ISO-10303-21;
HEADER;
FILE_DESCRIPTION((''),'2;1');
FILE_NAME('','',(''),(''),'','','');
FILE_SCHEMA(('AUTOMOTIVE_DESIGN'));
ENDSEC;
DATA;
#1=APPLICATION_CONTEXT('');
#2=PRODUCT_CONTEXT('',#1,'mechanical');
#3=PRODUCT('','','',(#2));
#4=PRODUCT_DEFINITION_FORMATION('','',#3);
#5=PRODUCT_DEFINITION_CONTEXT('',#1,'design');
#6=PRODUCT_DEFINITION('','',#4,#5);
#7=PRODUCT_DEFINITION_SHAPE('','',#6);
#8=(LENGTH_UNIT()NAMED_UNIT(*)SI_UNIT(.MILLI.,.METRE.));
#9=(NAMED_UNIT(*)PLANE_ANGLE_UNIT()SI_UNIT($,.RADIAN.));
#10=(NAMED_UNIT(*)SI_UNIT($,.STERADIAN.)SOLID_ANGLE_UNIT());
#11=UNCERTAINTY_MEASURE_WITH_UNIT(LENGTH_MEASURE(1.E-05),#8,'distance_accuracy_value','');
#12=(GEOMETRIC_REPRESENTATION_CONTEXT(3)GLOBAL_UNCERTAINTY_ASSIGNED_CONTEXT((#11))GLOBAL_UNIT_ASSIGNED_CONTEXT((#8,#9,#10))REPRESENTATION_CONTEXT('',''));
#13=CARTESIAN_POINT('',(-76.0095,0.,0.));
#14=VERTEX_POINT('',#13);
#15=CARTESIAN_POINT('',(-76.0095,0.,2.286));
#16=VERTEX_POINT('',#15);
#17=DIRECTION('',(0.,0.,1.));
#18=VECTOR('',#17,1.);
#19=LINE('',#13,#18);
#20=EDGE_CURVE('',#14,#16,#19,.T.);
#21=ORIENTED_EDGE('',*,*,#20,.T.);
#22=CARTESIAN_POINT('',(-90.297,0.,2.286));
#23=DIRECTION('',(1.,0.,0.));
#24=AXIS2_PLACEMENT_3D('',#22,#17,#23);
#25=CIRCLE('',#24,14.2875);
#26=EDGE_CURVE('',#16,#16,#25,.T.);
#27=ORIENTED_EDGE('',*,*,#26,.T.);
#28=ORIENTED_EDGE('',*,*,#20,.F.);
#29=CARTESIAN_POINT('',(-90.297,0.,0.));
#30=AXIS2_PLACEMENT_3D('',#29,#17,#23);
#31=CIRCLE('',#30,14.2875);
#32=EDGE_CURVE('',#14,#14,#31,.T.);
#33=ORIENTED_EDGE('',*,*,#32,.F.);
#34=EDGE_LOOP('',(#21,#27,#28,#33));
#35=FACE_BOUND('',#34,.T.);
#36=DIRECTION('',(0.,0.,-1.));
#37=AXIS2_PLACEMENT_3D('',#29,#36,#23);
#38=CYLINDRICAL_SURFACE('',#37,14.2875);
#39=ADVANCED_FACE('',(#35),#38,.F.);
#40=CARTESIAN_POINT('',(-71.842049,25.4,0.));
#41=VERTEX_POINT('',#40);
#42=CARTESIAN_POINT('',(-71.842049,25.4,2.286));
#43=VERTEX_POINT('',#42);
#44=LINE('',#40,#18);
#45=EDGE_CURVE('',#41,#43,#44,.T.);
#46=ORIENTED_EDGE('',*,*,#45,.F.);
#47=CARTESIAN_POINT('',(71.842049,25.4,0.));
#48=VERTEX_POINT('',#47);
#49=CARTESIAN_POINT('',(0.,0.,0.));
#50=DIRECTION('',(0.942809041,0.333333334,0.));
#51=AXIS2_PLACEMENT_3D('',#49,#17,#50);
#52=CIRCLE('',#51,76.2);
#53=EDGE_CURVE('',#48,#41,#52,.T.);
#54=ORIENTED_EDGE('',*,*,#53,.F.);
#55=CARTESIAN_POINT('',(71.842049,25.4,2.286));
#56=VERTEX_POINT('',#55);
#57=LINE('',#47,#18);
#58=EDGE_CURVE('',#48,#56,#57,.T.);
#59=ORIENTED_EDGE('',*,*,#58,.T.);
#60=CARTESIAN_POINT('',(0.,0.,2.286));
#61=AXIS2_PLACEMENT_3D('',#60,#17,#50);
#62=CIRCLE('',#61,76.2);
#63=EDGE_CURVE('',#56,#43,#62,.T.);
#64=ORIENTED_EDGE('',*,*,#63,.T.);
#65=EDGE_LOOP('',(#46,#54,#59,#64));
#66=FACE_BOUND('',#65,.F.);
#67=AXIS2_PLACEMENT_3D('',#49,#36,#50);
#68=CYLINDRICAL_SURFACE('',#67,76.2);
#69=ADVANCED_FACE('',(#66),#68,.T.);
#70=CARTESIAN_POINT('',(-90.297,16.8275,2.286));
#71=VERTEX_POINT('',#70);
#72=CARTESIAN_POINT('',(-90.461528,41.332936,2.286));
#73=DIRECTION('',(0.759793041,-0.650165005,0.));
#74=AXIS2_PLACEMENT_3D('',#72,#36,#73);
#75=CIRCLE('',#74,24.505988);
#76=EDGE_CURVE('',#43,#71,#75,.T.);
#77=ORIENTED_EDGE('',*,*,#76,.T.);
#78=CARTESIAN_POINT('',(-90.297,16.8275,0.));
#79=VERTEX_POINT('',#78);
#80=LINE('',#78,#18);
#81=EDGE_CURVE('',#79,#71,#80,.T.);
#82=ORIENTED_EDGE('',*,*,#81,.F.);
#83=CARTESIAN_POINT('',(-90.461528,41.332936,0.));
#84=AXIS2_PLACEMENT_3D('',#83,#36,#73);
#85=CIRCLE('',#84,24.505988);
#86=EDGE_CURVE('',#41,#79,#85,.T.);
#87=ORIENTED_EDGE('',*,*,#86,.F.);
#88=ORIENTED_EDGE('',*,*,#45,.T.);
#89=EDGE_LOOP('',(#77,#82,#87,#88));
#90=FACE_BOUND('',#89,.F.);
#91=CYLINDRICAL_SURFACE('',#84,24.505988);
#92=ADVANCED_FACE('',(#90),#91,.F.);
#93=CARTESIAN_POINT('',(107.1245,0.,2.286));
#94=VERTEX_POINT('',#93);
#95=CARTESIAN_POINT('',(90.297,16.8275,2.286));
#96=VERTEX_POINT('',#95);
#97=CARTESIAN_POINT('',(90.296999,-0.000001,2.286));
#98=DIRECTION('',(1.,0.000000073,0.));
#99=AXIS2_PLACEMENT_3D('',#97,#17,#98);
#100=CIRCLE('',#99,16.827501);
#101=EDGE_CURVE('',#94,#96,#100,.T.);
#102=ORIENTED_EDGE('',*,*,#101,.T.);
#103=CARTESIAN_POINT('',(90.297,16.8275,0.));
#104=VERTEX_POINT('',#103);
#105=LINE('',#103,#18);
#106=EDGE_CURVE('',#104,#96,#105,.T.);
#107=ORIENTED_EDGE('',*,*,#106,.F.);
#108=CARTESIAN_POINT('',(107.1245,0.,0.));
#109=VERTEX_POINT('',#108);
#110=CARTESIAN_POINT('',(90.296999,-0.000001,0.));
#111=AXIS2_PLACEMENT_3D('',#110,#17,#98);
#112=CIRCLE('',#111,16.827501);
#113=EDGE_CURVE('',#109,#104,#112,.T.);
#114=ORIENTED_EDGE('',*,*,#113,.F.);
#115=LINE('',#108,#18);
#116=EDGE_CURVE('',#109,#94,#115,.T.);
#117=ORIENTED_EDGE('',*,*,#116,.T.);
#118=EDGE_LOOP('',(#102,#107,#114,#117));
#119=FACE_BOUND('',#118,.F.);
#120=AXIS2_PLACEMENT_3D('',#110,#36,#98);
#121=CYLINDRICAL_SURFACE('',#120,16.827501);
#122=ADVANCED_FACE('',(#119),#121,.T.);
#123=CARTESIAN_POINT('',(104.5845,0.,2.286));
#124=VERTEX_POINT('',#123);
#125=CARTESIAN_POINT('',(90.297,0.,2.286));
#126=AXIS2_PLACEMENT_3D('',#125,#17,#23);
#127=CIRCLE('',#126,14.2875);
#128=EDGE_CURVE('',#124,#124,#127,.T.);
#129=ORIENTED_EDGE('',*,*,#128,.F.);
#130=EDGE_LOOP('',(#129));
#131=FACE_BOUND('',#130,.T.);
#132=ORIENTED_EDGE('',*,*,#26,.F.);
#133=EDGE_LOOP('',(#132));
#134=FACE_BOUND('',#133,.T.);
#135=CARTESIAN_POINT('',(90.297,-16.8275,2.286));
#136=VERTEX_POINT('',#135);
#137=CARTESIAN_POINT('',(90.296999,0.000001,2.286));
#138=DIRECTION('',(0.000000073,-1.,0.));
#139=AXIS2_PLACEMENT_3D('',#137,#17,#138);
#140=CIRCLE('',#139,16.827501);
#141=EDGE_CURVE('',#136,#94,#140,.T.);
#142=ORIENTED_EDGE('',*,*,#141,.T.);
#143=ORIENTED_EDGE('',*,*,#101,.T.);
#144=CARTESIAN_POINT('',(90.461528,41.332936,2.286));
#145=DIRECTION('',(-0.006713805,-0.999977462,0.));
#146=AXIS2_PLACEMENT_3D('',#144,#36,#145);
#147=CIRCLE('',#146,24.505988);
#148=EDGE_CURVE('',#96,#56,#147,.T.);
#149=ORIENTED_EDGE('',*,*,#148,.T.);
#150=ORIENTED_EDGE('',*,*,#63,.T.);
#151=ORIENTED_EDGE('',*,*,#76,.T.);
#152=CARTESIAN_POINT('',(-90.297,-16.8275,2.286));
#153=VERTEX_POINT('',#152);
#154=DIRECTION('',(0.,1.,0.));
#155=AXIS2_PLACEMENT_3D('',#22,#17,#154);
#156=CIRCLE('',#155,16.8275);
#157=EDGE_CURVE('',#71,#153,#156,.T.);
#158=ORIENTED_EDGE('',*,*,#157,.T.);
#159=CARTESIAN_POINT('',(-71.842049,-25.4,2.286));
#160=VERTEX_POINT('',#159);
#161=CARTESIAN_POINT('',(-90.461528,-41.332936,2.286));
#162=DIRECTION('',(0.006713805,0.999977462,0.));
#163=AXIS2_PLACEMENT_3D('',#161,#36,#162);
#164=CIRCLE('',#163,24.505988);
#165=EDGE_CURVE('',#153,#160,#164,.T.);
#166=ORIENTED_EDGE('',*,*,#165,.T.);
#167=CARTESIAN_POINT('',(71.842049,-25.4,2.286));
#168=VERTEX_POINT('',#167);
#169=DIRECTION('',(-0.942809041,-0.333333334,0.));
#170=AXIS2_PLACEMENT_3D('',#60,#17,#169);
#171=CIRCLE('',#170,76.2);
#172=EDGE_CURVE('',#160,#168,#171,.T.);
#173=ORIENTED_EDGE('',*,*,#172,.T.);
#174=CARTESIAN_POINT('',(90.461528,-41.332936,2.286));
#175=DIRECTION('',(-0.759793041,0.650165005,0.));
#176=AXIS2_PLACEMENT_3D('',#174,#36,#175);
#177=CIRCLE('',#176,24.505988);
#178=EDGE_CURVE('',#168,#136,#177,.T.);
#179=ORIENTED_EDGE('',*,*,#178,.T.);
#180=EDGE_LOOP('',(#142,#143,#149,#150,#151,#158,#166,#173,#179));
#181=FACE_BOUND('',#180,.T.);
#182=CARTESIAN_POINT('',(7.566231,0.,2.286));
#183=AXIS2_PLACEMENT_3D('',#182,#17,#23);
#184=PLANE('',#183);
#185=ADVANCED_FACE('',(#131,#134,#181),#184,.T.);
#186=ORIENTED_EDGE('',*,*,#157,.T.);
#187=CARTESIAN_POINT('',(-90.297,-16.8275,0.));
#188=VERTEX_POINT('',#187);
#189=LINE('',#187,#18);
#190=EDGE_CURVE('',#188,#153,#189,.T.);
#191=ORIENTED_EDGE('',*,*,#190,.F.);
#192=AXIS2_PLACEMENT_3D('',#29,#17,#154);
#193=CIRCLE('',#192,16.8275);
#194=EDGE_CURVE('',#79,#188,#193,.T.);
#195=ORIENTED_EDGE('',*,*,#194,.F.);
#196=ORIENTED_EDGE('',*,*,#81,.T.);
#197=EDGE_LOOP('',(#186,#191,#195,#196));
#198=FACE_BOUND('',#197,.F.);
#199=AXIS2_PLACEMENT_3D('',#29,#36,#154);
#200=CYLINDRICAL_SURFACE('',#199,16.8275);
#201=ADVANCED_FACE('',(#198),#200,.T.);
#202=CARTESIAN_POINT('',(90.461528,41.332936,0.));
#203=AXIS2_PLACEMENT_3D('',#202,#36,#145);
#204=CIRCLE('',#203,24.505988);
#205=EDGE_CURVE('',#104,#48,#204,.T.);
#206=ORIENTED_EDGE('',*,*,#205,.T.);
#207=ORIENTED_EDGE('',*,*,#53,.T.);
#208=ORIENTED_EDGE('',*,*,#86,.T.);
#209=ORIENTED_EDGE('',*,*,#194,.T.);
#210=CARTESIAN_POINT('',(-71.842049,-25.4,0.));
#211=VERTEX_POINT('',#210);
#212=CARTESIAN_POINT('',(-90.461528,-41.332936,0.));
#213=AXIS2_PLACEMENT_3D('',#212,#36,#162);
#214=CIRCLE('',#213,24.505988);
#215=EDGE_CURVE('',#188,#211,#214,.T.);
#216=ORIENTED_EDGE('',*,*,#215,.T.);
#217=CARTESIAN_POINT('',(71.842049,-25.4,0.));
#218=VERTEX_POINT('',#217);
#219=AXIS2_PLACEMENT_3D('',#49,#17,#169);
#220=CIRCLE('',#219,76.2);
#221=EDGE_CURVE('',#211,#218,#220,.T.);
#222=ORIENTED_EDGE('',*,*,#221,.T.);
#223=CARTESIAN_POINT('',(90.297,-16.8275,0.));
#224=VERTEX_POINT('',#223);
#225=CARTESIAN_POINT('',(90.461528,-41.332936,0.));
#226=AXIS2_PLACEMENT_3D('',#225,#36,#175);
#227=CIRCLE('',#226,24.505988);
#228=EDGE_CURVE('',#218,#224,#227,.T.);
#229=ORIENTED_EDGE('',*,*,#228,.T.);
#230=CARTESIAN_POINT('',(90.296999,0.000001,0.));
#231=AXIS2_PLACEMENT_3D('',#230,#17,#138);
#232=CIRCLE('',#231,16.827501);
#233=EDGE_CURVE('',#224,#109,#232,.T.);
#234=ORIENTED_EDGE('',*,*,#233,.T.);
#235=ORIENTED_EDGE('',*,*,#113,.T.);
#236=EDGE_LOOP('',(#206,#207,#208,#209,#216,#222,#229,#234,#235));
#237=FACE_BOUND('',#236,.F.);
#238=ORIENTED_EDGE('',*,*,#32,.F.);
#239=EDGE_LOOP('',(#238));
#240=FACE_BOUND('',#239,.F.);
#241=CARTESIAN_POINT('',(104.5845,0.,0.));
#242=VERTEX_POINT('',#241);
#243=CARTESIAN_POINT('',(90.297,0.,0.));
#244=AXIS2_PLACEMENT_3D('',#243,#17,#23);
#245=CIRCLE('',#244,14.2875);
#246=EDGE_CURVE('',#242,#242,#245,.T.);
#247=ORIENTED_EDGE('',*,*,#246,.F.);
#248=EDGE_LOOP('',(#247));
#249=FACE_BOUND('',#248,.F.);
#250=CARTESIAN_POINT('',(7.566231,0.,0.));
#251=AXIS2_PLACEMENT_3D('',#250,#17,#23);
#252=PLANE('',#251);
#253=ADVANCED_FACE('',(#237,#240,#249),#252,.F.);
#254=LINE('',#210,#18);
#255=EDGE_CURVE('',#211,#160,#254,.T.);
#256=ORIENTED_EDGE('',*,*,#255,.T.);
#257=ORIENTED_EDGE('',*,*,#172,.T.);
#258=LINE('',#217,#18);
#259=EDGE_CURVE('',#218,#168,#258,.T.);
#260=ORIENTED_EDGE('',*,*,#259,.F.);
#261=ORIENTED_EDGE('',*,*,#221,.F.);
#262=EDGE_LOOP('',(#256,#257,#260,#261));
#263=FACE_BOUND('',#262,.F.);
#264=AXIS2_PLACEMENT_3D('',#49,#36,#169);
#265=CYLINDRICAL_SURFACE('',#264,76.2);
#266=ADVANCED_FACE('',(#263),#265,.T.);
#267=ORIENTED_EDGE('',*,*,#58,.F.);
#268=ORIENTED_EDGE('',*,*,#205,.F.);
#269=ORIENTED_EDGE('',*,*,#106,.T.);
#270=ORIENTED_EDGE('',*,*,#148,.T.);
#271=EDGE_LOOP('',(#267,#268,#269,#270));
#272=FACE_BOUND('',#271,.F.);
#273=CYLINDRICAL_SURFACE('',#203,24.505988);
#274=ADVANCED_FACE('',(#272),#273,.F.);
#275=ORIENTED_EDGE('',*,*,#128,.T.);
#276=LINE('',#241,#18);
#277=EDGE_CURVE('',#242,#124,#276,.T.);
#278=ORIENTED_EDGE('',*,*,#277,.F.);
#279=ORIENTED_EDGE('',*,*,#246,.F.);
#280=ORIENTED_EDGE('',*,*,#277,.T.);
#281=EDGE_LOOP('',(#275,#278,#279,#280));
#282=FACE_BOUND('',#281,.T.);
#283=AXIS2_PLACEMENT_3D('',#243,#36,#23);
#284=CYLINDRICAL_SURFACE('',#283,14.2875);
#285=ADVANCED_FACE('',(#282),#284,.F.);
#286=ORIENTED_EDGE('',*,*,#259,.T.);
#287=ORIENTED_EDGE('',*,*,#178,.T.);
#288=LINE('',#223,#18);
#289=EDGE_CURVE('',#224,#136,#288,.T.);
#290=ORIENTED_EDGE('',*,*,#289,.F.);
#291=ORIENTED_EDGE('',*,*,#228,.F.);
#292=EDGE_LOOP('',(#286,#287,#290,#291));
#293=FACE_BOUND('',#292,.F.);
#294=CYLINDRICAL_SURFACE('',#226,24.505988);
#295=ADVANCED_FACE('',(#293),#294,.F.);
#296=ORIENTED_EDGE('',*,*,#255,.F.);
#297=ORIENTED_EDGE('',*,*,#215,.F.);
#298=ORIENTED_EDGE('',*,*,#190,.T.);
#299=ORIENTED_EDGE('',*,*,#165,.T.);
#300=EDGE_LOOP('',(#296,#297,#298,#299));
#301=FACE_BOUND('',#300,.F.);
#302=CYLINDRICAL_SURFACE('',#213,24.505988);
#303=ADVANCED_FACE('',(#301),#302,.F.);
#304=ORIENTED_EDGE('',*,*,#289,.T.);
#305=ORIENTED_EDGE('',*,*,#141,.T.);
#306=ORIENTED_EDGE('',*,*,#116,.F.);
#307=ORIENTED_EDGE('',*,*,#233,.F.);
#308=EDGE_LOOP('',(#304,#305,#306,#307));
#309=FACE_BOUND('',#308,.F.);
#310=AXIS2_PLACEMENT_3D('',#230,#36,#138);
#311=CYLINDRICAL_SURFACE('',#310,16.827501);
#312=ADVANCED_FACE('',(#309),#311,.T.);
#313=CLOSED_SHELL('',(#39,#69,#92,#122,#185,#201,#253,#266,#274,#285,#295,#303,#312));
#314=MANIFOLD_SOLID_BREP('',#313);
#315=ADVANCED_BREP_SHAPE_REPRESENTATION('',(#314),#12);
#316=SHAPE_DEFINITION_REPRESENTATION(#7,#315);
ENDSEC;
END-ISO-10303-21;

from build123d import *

# Parameters (mm, degrees)
F0_R     = 14.2875
F1_DEPTH = 2.286


with BuildPart() as f1:
    # F0 (on Top) → F1 (new body)
    with BuildSketch(Plane.XY):
        with BuildLine():
            ThreePointArc((-65.750812, -11.062835), (-64.101181, -18.346503), (-61.647349, -25.4))
            ThreePointArc((-61.647349, -25.4), (0, -66.675), (61.647349, -25.4))
            ThreePointArc((61.647349, -25.4), (64.101181, -18.346503), (65.750812, -11.062835))
            ThreePointArc((65.750812, -11.062835), (68.947885, -16.404785), (73.286413, -20.869634))
            ThreePointArc((73.286413, -20.869634), (74.768645, -14.69999), (75.732435, -8.428417))
            ThreePointArc((75.732435, -8.428417), (73.4695, 0), (75.732435, 8.428417))
            ThreePointArc((75.732435, 8.428417), (74.768645, 14.69999), (73.286413, 20.869634))
            ThreePointArc((73.286413, 20.869634), (68.947885, 16.404785), (65.750812, 11.062835))
            ThreePointArc((65.750812, 11.062835), (64.101181, 18.346503), (61.647349, 25.4))
            ThreePointArc((61.647349, 25.4), (0, 66.675), (-61.647349, 25.4))
            ThreePointArc((-61.647349, 25.4), (-64.101181, 18.346503), (-65.750812, 11.062835))
            ThreePointArc((-65.750812, 11.062835), (-66.675, 0), (-65.750812, -11.062835))
        make_face()
        with BuildLine():
            ThreePointArc((-90.297, -16.8275), (-81.890587, -14.577276), (-75.732435, -8.428417))
            ThreePointArc((-75.732435, -8.428417), (-74.045078, -4.363459), (-73.4695, 0))
            ThreePointArc((-73.4695, 0), (-74.045078, 4.363459), (-75.732435, 8.428417))
            ThreePointArc((-75.732435, 8.428417), (-81.890587, 14.577276), (-90.297, 16.8275))
            ThreePointArc((-90.297, 16.8275), (-107.1245, 0), (-90.297, -16.8275))
        make_face()
        with Locations((-90.297, 0)):
            Circle(F0_R, mode=Mode.SUBTRACT)
        with BuildLine():
            ThreePointArc((-75.732435, 8.428417), (-74.768645, 14.69999), (-73.286413, 20.869634))
            ThreePointArc((-73.286413, 20.869634), (-72.599578, 23.146086), (-71.842049, 25.4))
            ThreePointArc((-71.842049, 25.4), (-80.137688, 19.107685), (-90.297, 16.8275))
            ThreePointArc((-90.297, 16.8275), (-81.890587, 14.577276), (-75.732435, 8.428417))
        make_face()
        with BuildLine():
            ThreePointArc((-71.842049, -25.4), (-72.599578, -23.146086), (-73.286413, -20.869634))
            ThreePointArc((-73.286413, -20.869634), (-74.768645, -14.69999), (-75.732435, -8.428417))
            ThreePointArc((-75.732435, -8.428417), (-81.890587, -14.577276), (-90.297, -16.8275))
            ThreePointArc((-90.297, -16.8275), (-80.137688, -19.107685), (-71.842049, -25.4))
        make_face()
        with BuildLine():
            ThreePointArc((-73.286413, -20.869634), (-68.947885, -16.404785), (-65.750812, -11.062835))
            ThreePointArc((-65.750812, -11.062835), (-66.675, 0), (-65.750812, 11.062835))
            ThreePointArc((-65.750812, 11.062835), (-68.947885, 16.404785), (-73.286413, 20.869634))
            ThreePointArc((-73.286413, 20.869634), (-74.768645, 14.69999), (-75.732435, 8.428417))
            ThreePointArc((-75.732435, 8.428417), (-74.045078, 4.363459), (-73.4695, 0))
            ThreePointArc((-73.4695, 0), (-74.045078, -4.363459), (-75.732435, -8.428417))
            ThreePointArc((-75.732435, -8.428417), (-74.768645, -14.69999), (-73.286413, -20.869634))
        make_face()
        with BuildLine():
            ThreePointArc((-73.286413, 20.869634), (-68.947885, 16.404785), (-65.750812, 11.062835))
            ThreePointArc((-65.750812, 11.062835), (-64.101181, 18.346503), (-61.647349, 25.4))
            ThreePointArc((-61.647349, 25.4), (0, 66.675), (61.647349, 25.4))
            ThreePointArc((61.647349, 25.4), (64.101181, 18.346503), (65.750812, 11.062835))
            ThreePointArc((65.750812, 11.062835), (68.947885, 16.404785), (73.286413, 20.869634))
            ThreePointArc((73.286413, 20.869634), (72.599578, 23.146086), (71.842049, 25.4))
            ThreePointArc((71.842049, 25.4), (0, 76.2), (-71.842049, 25.4))
            ThreePointArc((-71.842049, 25.4), (-72.599578, 23.146086), (-73.286413, 20.869634))
        make_face()
        with BuildLine():
            ThreePointArc((61.647349, -25.4), (0, -66.675), (-61.647349, -25.4))
            ThreePointArc((-61.647349, -25.4), (-64.101181, -18.346503), (-65.750812, -11.062835))
            ThreePointArc((-65.750812, -11.062835), (-68.947885, -16.404785), (-73.286413, -20.869634))
            ThreePointArc((-73.286413, -20.869634), (-72.599578, -23.146086), (-71.842049, -25.4))
            ThreePointArc((-71.842049, -25.4), (0, -76.2), (71.842049, -25.4))
            ThreePointArc((71.842049, -25.4), (72.599578, -23.146086), (73.286413, -20.869634))
            ThreePointArc((73.286413, -20.869634), (68.947885, -16.404785), (65.750812, -11.062835))
            ThreePointArc((65.750812, -11.062835), (64.101181, -18.346503), (61.647349, -25.4))
        make_face()
        with BuildLine():
            ThreePointArc((73.286413, 20.869634), (74.768645, 14.69999), (75.732435, 8.428417))
            ThreePointArc((75.732435, 8.428417), (81.890587, 14.577276), (90.297, 16.8275))
            ThreePointArc((90.297, 16.8275), (80.137688, 19.107685), (71.842049, 25.4))
            ThreePointArc((71.842049, 25.4), (72.599578, 23.146086), (73.286413, 20.869634))
        make_face()
        with BuildLine():
            ThreePointArc((75.732435, -8.428417), (74.768645, -14.69999), (73.286413, -20.869634))
            ThreePointArc((73.286413, -20.869634), (72.599578, -23.146086), (71.842049, -25.4))
            ThreePointArc((71.842049, -25.4), (80.137688, -19.107685), (90.297, -16.8275))
            ThreePointArc((90.297, -16.8275), (81.890587, -14.577276), (75.732435, -8.428417))
        make_face()
        with BuildLine():
            ThreePointArc((75.732435, 8.428417), (73.4695, 0), (75.732435, -8.428417))
            ThreePointArc((75.732435, -8.428417), (81.890587, -14.577276), (90.297, -16.8275))
            ThreePointArc((90.297, -16.8275), (102.195839, -11.898839), (107.1245, 0))
            ThreePointArc((107.1245, 0), (102.195839, 11.898839), (90.297, 16.8275))
            ThreePointArc((90.297, 16.8275), (81.890587, 14.577276), (75.732435, 8.428417))
        make_face()
        with Locations((90.297, 0)):
            Circle(F0_R, mode=Mode.SUBTRACT)
    extrude(amount=F1_DEPTH)


solid = f1.part
